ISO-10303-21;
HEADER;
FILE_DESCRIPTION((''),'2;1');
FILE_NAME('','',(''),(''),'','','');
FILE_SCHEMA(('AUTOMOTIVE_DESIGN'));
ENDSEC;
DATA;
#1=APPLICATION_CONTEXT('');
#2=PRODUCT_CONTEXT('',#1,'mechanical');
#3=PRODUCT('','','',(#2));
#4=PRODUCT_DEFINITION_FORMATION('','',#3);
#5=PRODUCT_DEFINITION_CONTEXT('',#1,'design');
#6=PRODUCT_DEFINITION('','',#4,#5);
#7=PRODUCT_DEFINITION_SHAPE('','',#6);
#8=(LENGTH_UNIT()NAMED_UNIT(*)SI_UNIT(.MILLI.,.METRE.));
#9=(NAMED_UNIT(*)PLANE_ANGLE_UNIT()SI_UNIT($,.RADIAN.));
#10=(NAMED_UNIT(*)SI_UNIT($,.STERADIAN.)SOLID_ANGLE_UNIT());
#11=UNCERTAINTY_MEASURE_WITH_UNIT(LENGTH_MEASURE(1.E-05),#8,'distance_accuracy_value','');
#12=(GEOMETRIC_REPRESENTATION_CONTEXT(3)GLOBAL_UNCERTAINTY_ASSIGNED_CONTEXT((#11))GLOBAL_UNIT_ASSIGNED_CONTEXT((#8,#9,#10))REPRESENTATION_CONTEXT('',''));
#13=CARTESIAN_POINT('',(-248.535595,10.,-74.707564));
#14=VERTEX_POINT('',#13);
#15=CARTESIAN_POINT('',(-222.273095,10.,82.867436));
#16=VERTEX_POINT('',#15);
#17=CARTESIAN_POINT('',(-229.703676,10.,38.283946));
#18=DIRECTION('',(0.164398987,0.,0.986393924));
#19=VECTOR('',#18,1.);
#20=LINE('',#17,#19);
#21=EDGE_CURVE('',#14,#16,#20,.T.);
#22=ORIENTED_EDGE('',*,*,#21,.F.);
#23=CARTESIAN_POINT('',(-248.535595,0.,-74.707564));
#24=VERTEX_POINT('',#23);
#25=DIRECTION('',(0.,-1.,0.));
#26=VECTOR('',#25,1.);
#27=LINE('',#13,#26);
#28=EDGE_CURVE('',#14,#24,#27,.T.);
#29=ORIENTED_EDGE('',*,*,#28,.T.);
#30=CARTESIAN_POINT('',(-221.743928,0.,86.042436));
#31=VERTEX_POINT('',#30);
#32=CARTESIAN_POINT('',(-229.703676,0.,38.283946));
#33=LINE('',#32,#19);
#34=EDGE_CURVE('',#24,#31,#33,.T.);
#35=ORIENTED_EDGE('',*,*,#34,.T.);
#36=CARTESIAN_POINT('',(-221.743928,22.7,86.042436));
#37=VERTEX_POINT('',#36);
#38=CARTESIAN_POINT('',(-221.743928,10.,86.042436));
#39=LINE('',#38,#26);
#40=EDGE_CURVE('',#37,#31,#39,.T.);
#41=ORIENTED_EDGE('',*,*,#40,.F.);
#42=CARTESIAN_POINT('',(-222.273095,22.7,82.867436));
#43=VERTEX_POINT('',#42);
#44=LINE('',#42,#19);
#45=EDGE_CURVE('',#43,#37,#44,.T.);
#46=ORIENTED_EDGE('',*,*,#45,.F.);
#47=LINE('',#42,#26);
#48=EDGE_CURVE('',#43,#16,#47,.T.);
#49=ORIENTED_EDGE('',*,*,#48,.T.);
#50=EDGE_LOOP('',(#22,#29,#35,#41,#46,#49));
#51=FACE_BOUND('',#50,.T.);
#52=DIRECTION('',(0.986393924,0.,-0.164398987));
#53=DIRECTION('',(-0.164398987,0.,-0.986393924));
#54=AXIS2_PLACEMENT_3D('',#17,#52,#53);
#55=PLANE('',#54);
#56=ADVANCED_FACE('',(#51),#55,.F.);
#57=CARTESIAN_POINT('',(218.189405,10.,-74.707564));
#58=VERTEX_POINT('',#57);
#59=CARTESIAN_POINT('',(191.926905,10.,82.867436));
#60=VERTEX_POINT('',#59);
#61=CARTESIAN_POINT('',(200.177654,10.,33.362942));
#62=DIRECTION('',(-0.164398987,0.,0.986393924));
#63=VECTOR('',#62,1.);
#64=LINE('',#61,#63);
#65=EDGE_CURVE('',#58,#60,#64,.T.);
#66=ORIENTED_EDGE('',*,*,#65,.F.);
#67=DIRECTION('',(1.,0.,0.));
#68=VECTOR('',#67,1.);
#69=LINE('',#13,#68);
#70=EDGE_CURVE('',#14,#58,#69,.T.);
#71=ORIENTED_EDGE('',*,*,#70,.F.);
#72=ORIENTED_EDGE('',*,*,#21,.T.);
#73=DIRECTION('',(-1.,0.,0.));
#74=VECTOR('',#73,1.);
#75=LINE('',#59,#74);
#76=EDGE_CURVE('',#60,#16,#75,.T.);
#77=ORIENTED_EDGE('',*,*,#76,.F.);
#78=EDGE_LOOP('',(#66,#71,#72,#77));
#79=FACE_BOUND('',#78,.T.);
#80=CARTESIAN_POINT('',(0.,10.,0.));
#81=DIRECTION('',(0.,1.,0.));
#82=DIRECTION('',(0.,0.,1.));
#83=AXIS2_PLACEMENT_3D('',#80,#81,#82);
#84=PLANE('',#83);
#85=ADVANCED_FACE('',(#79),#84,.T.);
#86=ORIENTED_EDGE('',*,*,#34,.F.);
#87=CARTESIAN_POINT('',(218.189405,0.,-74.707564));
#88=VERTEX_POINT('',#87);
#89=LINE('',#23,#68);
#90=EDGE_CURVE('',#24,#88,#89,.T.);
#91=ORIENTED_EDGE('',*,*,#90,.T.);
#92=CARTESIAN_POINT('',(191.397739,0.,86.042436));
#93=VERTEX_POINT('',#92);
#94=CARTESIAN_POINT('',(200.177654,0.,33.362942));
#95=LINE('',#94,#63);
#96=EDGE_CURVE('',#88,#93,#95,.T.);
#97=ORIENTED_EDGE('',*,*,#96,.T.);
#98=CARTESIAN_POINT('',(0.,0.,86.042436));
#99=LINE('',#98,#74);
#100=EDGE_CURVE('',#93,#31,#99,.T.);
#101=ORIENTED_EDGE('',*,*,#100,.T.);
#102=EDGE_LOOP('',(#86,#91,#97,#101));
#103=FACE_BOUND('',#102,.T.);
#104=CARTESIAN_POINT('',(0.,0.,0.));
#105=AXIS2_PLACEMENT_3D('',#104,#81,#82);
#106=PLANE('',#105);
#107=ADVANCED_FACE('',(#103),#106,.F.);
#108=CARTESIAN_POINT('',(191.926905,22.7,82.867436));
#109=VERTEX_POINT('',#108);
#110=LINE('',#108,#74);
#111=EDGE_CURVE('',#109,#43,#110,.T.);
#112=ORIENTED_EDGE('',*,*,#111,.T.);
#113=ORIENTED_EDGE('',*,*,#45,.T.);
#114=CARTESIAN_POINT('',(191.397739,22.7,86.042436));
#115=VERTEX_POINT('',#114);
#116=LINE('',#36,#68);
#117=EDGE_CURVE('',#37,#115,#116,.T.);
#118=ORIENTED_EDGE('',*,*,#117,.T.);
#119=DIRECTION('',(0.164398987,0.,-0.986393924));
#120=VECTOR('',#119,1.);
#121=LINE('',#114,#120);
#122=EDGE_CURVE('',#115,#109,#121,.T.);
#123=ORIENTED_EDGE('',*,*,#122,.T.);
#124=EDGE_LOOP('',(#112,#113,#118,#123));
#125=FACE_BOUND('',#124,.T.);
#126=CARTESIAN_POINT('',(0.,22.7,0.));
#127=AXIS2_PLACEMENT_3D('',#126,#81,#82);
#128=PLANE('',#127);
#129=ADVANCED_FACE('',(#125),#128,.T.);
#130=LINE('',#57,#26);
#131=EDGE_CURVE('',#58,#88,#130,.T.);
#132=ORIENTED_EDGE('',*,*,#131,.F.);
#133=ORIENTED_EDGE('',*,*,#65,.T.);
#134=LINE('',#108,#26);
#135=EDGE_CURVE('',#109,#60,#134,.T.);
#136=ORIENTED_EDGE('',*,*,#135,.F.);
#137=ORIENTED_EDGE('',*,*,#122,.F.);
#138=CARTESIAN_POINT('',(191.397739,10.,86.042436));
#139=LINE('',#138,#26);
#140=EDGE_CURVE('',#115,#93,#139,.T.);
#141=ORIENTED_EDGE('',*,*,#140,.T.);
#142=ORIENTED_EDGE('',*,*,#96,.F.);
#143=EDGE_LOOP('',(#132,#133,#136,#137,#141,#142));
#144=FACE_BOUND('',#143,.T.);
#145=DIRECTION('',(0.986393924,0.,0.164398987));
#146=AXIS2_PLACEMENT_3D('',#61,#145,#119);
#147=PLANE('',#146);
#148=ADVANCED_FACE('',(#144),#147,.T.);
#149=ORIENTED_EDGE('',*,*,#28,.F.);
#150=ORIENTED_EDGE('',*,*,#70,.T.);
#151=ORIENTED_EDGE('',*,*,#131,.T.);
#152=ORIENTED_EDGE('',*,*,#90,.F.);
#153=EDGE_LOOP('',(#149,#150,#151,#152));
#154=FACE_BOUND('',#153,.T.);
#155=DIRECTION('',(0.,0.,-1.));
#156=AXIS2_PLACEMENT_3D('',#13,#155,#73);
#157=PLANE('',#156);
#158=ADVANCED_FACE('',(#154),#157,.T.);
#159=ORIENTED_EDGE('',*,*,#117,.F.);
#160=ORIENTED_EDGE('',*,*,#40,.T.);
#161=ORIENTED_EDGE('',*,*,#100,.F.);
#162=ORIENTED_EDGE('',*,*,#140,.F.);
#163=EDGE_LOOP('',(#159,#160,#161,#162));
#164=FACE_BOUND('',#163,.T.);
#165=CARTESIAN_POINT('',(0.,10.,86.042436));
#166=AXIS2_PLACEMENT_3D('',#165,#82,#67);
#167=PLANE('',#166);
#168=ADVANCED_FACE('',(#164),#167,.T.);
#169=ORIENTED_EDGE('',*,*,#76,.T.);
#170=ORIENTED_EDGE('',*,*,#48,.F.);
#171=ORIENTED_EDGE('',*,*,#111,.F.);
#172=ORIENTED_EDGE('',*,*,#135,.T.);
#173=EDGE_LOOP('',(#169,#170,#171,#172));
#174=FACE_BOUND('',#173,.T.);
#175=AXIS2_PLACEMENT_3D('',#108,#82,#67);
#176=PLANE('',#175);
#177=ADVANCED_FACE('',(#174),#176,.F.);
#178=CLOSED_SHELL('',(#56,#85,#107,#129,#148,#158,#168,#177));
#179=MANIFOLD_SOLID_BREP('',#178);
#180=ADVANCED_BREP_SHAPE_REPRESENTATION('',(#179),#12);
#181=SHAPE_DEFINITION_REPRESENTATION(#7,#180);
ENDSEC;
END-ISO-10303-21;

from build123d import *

# Parameters (mm, degrees)
BOSS_EXTRUDE1_DEPTH = 10
BOSS_EXTRUDE2_DEPTH = 12.7


with BuildPart() as part:
    # Sketch1 → Boss-Extrude1 (new body)
    with BuildSketch(Plane(origin=(0, 0, 0), x_dir=(1, 0, 0), z_dir=(0, 1, 0))):
        Polygon((-248.535594609, 74.707564465), (-221.743927942, -86.042435535), (191.397738725, -86.042435535), (218.189405391, 74.707564465), align=None)
    extrude(amount=BOSS_EXTRUDE1_DEPTH)

    # Sketch2 → Boss-Extrude2 (add)
    with BuildSketch(Plane(origin=(0, 10, 0), x_dir=(1, 0, 0), z_dir=(0, 1, 0))):
        Polygon((-221.743927942, -86.042435535), (191.397738725, -86.042435535), (191.926905391, -82.867435535), (-222.273094609, -82.867435535), align=None)
    extrude(amount=BOSS_EXTRUDE2_DEPTH)


solid = part.part
